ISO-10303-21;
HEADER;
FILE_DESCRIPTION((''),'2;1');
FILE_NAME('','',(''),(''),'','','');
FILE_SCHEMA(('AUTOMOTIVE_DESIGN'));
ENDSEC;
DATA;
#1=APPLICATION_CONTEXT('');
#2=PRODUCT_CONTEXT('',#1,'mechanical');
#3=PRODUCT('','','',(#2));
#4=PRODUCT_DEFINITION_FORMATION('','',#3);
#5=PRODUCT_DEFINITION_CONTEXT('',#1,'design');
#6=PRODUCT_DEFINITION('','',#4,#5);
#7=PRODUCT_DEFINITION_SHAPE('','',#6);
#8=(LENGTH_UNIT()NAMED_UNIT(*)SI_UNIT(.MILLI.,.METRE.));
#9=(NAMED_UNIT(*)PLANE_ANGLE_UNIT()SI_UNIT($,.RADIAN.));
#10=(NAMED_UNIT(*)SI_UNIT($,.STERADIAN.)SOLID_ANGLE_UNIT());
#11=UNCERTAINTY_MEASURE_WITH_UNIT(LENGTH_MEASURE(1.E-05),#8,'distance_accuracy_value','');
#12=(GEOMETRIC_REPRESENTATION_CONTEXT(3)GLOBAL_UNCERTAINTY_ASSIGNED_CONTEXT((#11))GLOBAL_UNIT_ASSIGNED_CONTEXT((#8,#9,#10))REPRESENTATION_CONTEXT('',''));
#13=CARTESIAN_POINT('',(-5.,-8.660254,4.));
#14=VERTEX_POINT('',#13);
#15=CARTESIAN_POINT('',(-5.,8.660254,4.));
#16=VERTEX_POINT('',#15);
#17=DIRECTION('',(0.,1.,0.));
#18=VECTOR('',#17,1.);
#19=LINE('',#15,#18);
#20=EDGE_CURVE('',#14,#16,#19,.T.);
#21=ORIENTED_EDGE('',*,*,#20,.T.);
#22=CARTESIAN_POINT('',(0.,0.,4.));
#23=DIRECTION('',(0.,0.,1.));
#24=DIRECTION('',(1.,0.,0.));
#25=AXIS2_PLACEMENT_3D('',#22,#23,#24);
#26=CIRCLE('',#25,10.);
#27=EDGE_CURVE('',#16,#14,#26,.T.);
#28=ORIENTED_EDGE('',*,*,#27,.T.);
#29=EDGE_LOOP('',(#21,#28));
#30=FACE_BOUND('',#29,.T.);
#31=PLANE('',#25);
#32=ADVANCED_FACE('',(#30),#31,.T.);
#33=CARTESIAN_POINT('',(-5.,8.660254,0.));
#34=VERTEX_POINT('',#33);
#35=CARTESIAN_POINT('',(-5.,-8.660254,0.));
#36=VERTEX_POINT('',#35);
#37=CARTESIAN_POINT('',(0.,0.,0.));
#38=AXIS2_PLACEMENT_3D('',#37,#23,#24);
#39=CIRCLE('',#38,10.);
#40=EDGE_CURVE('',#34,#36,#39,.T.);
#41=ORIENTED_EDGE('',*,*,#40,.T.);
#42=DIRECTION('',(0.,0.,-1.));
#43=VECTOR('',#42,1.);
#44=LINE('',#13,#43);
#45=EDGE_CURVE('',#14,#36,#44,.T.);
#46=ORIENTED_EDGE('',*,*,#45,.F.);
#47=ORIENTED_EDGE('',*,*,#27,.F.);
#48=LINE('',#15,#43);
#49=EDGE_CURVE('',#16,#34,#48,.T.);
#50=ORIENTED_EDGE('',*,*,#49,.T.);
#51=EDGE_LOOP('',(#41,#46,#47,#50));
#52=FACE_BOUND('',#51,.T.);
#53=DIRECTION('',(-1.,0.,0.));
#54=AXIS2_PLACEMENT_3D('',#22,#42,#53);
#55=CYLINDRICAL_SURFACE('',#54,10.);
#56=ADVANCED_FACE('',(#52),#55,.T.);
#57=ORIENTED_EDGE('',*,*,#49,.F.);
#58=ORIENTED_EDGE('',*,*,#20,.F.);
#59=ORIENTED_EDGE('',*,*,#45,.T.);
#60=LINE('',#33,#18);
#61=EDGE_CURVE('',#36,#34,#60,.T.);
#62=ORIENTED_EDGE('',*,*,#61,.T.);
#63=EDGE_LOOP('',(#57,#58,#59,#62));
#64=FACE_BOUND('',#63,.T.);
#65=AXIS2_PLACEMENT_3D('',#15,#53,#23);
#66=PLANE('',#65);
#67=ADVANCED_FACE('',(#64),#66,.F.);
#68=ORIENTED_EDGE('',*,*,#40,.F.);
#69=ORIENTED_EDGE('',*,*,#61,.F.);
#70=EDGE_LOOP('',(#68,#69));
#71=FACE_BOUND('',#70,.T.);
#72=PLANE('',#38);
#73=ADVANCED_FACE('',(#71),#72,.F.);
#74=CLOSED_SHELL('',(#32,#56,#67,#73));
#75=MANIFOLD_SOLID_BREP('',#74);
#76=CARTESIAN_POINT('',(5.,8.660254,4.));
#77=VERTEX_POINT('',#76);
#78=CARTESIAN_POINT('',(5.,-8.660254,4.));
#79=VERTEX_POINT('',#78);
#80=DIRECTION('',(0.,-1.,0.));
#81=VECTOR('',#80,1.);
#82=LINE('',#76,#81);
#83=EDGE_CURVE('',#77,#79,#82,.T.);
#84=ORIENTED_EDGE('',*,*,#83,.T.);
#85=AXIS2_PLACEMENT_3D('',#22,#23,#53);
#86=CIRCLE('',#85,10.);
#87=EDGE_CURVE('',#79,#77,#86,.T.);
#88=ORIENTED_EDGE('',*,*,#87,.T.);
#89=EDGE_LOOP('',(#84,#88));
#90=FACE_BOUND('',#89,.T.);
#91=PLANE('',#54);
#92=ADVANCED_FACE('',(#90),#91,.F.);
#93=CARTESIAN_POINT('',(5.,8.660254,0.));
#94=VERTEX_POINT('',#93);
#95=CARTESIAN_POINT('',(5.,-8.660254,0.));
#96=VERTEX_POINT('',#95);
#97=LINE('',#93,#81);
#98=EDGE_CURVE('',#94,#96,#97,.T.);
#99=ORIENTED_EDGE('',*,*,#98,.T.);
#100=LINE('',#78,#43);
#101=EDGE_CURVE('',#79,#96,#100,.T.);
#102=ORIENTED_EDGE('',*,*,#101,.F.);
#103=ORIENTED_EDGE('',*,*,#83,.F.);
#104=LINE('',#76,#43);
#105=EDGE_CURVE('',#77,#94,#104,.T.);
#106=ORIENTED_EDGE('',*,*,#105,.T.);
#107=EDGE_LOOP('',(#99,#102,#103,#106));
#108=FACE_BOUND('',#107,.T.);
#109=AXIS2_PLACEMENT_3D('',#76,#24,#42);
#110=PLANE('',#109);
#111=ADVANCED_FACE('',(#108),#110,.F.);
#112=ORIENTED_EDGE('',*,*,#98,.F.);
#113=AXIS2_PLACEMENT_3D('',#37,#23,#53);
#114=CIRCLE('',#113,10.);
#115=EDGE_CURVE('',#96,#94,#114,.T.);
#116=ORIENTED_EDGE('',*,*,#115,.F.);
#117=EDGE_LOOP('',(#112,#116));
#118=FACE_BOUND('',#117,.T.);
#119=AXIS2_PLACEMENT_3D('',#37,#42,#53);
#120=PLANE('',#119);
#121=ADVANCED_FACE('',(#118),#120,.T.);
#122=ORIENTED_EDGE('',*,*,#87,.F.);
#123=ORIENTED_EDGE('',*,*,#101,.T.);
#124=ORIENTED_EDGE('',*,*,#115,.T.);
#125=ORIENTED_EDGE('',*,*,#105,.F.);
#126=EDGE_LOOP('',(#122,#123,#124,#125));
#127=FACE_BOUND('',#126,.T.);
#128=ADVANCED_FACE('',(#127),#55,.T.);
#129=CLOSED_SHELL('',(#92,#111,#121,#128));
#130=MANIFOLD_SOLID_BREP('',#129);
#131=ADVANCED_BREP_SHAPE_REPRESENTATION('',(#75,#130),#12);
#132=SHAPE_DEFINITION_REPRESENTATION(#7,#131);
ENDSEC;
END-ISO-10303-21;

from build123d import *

# Parameters (mm, degrees)
BOSS_EXTRUDE1_DEPTH   = 4
BOSS_EXTRUDE1_2_DEPTH = 4


with BuildPart() as part:
    # Sketch1 → Boss-Extrude1 (new body)
    with BuildSketch(Plane.XY):
        with BuildLine():
            Line((-5, 8.660254038), (-5, -8.660254038))
            ThreePointArc((-5, -8.660254038), (-10, 0), (-5, 8.660254038))
        make_face()
    extrude(amount=BOSS_EXTRUDE1_DEPTH)


with BuildPart() as body_2:
    # Sketch1 → Boss-Extrude1 2 (new body)
    with BuildSketch(Plane.XY):
        with BuildLine():
            Line((5, 8.660254038), (5, -8.660254038))
            ThreePointArc((5, -8.660254038), (10, 0), (5, 8.660254038))
        make_face()
    extrude(amount=BOSS_EXTRUDE1_2_DEPTH)


solid = Compound([part.part, body_2.part])
